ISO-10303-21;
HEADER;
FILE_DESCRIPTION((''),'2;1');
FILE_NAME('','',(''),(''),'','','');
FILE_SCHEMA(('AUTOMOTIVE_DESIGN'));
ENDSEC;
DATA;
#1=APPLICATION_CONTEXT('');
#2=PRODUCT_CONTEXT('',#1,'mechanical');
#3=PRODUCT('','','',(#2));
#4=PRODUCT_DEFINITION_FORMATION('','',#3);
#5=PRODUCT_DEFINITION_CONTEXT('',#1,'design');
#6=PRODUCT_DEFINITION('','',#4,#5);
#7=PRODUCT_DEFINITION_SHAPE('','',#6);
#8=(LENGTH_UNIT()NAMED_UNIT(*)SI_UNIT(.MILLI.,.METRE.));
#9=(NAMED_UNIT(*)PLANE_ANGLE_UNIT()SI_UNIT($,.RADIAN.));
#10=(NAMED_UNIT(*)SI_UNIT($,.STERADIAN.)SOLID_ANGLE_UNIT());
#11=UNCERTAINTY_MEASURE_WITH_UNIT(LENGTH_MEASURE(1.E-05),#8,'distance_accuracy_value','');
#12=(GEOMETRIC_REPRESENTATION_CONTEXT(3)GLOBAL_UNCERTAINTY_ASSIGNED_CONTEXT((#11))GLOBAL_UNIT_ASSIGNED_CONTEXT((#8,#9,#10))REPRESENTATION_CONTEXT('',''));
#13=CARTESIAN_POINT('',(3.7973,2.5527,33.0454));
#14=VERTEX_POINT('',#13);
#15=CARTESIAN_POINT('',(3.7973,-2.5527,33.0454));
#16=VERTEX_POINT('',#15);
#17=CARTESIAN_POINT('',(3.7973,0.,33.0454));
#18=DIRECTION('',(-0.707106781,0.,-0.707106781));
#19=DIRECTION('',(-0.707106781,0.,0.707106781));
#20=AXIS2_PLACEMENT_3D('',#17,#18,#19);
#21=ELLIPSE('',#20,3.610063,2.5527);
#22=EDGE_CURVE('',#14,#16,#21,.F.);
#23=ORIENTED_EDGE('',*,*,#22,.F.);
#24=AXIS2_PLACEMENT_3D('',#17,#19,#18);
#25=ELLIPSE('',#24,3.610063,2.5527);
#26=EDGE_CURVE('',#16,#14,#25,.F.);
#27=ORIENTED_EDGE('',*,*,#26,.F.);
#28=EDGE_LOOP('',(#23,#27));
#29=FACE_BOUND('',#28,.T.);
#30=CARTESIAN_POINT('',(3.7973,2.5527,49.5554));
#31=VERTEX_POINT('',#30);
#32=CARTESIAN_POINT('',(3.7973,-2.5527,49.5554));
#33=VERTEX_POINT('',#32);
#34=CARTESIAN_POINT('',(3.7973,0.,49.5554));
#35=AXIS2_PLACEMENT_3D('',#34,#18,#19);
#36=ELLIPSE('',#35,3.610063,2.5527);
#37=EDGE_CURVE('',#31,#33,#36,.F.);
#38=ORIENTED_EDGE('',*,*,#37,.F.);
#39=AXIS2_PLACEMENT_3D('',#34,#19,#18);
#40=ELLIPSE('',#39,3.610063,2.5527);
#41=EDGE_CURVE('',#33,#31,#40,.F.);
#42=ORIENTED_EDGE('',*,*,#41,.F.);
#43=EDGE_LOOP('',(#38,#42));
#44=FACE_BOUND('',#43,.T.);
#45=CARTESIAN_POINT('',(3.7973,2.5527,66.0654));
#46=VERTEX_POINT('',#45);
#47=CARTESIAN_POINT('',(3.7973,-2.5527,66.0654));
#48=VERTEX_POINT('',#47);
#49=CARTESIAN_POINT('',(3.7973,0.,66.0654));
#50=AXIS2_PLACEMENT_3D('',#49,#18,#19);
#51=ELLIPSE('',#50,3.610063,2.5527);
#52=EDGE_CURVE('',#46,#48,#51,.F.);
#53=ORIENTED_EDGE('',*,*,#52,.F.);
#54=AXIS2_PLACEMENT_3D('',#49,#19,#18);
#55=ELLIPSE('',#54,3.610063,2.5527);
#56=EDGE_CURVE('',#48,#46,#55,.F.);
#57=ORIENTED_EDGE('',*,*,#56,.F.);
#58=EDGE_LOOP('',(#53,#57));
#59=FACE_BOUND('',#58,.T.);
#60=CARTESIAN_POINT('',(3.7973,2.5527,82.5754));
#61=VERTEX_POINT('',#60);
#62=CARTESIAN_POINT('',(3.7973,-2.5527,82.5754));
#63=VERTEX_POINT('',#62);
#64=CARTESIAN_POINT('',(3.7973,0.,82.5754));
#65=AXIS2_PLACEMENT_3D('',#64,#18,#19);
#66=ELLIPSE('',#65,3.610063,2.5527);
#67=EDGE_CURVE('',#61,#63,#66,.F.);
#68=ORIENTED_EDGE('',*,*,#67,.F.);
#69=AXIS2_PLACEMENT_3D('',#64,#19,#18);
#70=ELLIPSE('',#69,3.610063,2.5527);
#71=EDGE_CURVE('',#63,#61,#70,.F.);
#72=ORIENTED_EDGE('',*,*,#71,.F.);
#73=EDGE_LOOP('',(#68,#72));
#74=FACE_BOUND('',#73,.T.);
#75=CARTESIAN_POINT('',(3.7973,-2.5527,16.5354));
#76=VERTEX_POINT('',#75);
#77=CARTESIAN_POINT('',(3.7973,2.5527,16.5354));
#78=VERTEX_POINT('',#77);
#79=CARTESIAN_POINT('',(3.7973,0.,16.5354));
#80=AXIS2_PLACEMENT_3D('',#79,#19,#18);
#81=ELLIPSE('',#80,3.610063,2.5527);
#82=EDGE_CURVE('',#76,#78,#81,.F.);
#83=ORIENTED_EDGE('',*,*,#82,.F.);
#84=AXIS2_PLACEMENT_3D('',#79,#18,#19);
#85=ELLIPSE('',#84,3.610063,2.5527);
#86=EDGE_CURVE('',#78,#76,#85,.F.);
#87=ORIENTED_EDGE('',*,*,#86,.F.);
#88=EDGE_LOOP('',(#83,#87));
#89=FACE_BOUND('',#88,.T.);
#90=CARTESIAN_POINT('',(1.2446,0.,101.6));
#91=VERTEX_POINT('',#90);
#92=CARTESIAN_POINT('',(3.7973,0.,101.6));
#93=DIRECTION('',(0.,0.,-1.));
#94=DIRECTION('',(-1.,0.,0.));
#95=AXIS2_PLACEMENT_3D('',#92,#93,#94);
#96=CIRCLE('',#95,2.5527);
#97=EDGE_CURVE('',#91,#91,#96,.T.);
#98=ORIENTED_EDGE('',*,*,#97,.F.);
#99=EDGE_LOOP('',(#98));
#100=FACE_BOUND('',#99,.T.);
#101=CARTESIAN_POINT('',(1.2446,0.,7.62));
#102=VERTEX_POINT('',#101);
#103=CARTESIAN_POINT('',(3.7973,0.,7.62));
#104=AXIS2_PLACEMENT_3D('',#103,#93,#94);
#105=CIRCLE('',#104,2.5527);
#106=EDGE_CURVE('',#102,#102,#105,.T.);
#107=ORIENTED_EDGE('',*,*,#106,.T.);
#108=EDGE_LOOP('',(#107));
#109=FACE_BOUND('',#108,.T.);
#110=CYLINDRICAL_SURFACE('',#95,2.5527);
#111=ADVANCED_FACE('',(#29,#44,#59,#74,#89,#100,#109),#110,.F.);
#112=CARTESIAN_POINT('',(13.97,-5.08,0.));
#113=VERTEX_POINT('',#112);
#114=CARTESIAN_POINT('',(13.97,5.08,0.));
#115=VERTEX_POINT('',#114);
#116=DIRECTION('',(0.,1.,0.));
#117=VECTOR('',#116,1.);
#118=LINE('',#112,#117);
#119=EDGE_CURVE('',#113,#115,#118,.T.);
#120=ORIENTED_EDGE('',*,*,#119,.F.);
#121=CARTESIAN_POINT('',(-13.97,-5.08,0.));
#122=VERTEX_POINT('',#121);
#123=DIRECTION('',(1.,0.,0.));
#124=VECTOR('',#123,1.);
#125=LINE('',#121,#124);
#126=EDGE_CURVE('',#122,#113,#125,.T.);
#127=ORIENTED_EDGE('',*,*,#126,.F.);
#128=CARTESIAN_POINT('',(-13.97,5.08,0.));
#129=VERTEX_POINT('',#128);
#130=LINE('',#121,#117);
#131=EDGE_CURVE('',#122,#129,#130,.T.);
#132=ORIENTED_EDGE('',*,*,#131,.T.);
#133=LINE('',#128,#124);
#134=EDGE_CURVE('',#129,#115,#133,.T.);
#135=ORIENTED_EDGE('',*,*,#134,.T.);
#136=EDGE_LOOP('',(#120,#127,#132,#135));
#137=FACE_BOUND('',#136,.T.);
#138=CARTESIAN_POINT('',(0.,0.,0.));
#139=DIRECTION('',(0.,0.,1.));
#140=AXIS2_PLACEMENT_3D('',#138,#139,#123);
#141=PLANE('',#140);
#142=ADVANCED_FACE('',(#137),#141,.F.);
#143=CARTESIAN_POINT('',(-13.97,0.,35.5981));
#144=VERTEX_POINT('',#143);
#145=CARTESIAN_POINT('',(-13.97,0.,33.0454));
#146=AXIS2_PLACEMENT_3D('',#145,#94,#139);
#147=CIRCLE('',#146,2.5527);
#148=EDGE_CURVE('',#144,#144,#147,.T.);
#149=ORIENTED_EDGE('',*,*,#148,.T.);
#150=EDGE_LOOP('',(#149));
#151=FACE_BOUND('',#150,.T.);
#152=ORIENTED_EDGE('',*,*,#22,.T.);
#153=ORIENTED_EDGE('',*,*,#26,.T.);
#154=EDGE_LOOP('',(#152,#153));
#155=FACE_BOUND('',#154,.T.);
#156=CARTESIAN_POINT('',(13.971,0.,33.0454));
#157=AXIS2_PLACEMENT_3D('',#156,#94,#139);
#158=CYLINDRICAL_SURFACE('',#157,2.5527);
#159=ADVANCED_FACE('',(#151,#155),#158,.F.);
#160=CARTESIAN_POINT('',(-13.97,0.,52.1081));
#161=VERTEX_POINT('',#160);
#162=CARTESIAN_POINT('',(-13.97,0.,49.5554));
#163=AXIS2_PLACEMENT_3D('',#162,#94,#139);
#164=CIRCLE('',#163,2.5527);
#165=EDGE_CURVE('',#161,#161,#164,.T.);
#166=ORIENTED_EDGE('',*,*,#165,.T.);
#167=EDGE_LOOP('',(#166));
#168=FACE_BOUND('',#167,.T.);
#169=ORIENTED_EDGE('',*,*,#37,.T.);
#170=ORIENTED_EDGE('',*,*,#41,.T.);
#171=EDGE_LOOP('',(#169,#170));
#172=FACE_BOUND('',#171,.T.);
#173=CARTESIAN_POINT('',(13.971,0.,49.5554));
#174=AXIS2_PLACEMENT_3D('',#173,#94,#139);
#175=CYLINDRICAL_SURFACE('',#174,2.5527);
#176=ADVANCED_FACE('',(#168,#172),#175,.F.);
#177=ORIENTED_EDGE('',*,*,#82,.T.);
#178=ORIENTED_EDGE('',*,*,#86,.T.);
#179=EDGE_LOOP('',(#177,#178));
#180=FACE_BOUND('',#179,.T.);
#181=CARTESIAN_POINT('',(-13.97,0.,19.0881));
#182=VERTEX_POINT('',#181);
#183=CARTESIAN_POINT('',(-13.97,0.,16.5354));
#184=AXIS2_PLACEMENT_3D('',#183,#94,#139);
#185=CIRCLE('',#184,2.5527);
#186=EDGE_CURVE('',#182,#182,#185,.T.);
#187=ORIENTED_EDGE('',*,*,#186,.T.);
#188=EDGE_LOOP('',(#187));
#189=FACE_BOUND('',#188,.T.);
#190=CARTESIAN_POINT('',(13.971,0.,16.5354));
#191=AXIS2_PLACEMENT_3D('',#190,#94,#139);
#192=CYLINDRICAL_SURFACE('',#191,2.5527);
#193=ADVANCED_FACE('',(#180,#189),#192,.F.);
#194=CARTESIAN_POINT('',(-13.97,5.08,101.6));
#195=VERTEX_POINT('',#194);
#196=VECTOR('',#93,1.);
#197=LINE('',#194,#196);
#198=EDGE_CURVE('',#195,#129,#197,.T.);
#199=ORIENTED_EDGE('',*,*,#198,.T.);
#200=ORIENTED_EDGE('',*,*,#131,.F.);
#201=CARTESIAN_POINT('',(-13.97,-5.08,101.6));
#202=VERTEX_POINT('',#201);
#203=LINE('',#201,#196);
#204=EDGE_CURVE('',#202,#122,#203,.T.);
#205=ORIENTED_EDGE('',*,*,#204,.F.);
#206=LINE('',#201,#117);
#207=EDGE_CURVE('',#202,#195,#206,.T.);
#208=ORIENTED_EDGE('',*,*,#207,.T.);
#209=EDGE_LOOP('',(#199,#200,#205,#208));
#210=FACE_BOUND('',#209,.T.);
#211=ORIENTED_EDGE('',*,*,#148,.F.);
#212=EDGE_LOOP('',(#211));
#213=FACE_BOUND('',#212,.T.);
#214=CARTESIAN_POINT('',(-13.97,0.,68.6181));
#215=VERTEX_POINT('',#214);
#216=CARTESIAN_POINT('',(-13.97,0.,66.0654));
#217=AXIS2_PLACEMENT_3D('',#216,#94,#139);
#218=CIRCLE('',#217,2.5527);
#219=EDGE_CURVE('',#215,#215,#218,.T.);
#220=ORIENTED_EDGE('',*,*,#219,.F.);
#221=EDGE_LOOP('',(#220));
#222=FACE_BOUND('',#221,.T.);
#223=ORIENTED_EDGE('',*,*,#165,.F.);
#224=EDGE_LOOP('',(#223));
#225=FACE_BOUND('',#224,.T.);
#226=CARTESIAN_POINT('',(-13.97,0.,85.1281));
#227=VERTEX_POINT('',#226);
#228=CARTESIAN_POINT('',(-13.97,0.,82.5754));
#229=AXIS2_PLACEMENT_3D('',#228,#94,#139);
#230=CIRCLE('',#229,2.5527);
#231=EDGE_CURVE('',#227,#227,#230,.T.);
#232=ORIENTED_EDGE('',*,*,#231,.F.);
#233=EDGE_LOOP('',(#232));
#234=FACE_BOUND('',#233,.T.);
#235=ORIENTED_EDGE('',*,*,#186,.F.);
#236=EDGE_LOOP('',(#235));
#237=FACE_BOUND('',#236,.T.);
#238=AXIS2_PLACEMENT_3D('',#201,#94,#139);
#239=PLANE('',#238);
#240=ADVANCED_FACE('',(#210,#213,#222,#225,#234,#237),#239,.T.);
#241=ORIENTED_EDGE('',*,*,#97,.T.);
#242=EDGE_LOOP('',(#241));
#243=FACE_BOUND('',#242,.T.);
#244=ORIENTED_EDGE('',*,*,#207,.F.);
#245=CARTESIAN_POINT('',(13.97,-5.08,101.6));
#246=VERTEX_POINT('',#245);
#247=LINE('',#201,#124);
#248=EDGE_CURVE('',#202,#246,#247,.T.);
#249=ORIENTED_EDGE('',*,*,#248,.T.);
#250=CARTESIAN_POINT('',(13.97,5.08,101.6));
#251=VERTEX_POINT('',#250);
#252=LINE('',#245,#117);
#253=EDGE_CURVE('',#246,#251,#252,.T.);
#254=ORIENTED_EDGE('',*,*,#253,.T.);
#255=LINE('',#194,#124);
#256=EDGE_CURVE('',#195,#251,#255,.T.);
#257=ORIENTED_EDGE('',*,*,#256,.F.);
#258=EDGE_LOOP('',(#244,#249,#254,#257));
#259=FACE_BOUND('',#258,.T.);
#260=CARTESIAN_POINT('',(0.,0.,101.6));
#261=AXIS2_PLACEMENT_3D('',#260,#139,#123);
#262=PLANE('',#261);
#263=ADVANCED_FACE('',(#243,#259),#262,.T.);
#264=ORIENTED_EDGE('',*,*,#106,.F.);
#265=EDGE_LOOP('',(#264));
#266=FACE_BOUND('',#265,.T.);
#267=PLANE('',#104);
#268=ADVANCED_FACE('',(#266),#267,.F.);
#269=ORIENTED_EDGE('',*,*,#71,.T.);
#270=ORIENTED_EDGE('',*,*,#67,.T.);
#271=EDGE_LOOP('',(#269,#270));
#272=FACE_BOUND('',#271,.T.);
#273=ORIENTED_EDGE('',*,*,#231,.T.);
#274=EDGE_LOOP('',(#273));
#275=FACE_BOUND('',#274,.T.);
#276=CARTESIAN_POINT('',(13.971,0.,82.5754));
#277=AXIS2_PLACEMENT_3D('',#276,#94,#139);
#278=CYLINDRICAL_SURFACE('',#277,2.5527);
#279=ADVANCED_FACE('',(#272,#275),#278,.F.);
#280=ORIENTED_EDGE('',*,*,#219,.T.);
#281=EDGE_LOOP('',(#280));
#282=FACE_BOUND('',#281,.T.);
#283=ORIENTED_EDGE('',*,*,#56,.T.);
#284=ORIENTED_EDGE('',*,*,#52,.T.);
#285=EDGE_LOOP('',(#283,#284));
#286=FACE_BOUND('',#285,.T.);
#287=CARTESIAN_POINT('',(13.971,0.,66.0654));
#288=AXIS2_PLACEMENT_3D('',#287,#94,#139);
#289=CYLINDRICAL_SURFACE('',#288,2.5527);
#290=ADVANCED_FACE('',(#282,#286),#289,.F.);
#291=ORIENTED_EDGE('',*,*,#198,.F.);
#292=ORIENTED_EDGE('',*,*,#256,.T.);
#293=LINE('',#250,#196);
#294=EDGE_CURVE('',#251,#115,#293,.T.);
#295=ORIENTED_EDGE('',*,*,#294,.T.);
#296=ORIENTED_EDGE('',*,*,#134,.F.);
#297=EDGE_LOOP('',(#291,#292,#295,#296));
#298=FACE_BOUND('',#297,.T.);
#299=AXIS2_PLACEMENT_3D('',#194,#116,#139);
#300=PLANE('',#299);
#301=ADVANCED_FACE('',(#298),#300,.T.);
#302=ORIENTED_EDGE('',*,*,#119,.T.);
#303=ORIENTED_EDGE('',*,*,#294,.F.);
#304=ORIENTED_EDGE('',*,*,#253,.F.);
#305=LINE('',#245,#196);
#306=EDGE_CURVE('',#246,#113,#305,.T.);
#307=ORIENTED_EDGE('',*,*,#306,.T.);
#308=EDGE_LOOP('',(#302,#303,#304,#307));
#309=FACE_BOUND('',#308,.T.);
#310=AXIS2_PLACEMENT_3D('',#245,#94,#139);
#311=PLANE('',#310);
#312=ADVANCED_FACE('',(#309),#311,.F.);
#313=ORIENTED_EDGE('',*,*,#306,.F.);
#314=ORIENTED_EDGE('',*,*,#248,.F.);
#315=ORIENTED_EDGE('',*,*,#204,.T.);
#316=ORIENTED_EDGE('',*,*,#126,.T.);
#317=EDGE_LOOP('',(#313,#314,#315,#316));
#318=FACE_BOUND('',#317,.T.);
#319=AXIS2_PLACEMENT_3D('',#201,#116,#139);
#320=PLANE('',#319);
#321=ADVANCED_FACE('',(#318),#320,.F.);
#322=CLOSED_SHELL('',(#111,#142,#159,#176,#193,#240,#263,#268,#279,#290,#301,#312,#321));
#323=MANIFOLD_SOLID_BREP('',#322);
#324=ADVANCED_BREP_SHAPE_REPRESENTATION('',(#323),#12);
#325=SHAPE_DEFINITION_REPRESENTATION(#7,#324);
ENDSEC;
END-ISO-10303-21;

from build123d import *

# Parameters (mm, degrees)
SKETCH1_W               = 27.94
SKETCH1_H               = 10.16
BOSS_EXTRUDE1_DEPTH     = 101.6
SKETCH3_R               = 2.5527
CUT_EXTRUDE2_DEPTH      = 96.148345755
CUT_EXTRUDE3_REACH      = 107.494
CUT_EXTRUDE3_END_RADIUS = 2.5527
SKETCH4_R               = 2.5527


with BuildPart() as part:
    # Sketch1 → Boss-Extrude1 (new body)
    with BuildSketch(Plane.XY):
        Rectangle(SKETCH1_W, SKETCH1_H)
    extrude(amount=BOSS_EXTRUDE1_DEPTH)

    # Sketch3 → Cut-Extrude2 (cut, through all)
    with BuildSketch(Plane(origin=(0, 0, 7.62), x_dir=(-1, 0, 0), z_dir=(0, 0, -1))):
        with Locations((-3.7973, 0)):
            Circle(SKETCH3_R)
    extrude(amount=-CUT_EXTRUDE2_DEPTH, mode=Mode.SUBTRACT)

    # Cut-Extrude3: up to this cylinder (the profile starts outside it)
    cut_extrude3_end = Plane(origin=(3.7973, 0, 49.5554), z_dir=(0, 0, -1)) * Cylinder(CUT_EXTRUDE3_END_RADIUS, 287.1334, mode=Mode.PRIVATE)
    # Sketch4 → Cut-Extrude3 (cut, up to the surface)
    with BuildSketch(Plane.ZY.offset(13.97), mode=Mode.PRIVATE) as cut_extrude3_sk1:
        with Locations((16.5354, 0)):
            Circle(SKETCH4_R)
    cut_extrude3_tool1 = extrude(cut_extrude3_sk1.sketch, amount=-CUT_EXTRUDE3_REACH, mode=Mode.PRIVATE) - cut_extrude3_end
    add(cut_extrude3_tool1.solids().sort_by_distance((-13.97, 0, 16.5354))[0], mode=Mode.SUBTRACT)
    # Sketch4 → Cut-Extrude3 (cut, up to the surface)
    with BuildSketch(Plane.ZY.offset(13.97), mode=Mode.PRIVATE) as cut_extrude3_sk2:
        with Locations((33.0454, 0)):
            Circle(SKETCH4_R)
    cut_extrude3_tool2 = extrude(cut_extrude3_sk2.sketch, amount=-CUT_EXTRUDE3_REACH, mode=Mode.PRIVATE) - cut_extrude3_end
    add(cut_extrude3_tool2.solids().sort_by_distance((-13.97, 0, 33.0454))[0], mode=Mode.SUBTRACT)
    # Sketch4 → Cut-Extrude3 (cut, up to the surface)
    with BuildSketch(Plane.ZY.offset(13.97), mode=Mode.PRIVATE) as cut_extrude3_sk3:
        with Locations((49.5554, 0)):
            Circle(SKETCH4_R)
    cut_extrude3_tool3 = extrude(cut_extrude3_sk3.sketch, amount=-CUT_EXTRUDE3_REACH, mode=Mode.PRIVATE) - cut_extrude3_end
    add(cut_extrude3_tool3.solids().sort_by_distance((-13.97, 0, 49.5554))[0], mode=Mode.SUBTRACT)
    # Sketch4 → Cut-Extrude3 (cut, up to the surface)
    with BuildSketch(Plane.ZY.offset(13.97), mode=Mode.PRIVATE) as cut_extrude3_sk4:
        with Locations((66.0654, 0)):
            Circle(SKETCH4_R)
    cut_extrude3_tool4 = extrude(cut_extrude3_sk4.sketch, amount=-CUT_EXTRUDE3_REACH, mode=Mode.PRIVATE) - cut_extrude3_end
    add(cut_extrude3_tool4.solids().sort_by_distance((-13.97, 0, 66.0654))[0], mode=Mode.SUBTRACT)
    # Sketch4 → Cut-Extrude3 (cut, up to the surface)
    with BuildSketch(Plane.ZY.offset(13.97), mode=Mode.PRIVATE) as cut_extrude3_sk5:
        with Locations((82.5754, 0)):
            Circle(SKETCH4_R)
    cut_extrude3_tool5 = extrude(cut_extrude3_sk5.sketch, amount=-CUT_EXTRUDE3_REACH, mode=Mode.PRIVATE) - cut_extrude3_end
    add(cut_extrude3_tool5.solids().sort_by_distance((-13.97, 0, 82.5754))[0], mode=Mode.SUBTRACT)


solid = part.part
